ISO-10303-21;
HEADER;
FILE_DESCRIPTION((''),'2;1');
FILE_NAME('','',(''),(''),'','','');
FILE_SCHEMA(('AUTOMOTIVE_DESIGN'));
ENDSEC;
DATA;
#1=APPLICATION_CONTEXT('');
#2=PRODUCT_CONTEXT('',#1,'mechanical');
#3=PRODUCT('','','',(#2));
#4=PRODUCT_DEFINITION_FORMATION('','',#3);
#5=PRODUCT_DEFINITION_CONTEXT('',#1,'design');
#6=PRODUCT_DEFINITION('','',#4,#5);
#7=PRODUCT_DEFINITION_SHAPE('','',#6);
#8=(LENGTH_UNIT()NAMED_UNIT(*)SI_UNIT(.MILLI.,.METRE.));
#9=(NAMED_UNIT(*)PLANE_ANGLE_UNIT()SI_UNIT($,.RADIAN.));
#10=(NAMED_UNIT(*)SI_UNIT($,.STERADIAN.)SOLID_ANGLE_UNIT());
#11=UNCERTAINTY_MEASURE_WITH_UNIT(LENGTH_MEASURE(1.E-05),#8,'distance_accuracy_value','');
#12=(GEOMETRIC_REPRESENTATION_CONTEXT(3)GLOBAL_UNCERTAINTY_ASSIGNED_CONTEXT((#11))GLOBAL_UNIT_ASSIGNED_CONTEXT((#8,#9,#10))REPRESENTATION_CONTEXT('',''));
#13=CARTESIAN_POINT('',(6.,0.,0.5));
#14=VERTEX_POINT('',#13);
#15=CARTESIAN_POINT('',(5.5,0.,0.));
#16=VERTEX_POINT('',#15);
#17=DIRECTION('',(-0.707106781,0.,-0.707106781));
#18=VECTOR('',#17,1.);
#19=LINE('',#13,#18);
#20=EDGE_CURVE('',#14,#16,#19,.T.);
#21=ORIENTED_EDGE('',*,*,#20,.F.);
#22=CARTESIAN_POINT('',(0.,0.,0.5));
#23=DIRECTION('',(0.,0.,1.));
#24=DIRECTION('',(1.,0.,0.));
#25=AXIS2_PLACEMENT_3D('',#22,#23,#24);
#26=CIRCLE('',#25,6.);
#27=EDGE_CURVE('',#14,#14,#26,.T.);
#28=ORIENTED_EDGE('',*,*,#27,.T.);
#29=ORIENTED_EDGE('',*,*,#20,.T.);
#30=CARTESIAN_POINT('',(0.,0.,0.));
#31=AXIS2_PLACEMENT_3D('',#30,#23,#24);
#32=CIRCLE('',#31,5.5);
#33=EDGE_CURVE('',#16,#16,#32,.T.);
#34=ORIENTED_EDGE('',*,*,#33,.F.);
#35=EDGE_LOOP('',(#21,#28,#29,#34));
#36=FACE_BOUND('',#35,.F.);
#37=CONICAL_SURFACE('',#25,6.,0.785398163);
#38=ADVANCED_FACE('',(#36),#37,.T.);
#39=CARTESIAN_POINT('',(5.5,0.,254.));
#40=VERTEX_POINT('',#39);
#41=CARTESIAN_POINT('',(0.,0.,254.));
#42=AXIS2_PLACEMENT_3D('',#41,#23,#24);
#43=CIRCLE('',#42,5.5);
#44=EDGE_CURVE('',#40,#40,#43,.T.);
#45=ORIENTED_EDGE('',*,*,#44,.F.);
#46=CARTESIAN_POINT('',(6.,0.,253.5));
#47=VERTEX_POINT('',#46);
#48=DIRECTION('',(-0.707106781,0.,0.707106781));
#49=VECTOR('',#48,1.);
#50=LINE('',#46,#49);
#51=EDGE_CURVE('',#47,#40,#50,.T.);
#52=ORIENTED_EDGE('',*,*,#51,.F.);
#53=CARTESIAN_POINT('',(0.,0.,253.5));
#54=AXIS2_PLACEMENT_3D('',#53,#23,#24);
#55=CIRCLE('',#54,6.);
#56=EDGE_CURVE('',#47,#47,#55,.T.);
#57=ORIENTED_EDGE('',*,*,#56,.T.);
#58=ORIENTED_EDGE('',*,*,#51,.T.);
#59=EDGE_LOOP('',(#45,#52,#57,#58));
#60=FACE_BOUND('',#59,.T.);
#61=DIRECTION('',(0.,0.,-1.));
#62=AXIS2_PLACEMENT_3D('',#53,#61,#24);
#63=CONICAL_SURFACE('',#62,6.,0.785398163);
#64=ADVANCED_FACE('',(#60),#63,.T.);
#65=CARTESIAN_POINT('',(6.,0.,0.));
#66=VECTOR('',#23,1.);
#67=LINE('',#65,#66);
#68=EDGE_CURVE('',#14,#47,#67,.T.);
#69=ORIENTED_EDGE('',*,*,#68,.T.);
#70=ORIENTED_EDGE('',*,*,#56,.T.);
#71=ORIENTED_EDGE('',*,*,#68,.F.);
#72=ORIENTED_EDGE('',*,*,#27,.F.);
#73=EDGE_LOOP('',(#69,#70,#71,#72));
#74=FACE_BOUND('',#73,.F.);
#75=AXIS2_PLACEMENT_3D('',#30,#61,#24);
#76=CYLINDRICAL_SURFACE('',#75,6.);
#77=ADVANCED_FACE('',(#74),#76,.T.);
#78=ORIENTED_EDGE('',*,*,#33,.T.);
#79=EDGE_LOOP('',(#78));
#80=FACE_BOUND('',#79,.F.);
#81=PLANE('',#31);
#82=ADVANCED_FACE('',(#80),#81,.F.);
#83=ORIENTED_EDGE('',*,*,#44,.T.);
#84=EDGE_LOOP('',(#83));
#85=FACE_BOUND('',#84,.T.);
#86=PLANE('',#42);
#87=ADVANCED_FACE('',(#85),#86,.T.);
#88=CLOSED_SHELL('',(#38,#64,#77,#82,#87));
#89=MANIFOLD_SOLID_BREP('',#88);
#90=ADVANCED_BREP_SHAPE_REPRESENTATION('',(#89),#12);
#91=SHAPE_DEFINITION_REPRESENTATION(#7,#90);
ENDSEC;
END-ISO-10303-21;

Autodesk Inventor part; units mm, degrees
ref_plane "YZ Plane" through (0, 0, 0) normal (1, 0, 0) x (0, 1, 0)
ref_plane "XZ Plane" through (0, 0, 0) normal (0, 1, 0) x (-1, 0, 0)
ref_plane "XY Plane" through (0, 0, 0) normal (0, 0, 1) x (1, 0, 0)
sketch "Sketch1" plane through (0, 0, 0) normal (0, 0, 1) x (1, 0, 0)
  circle A0 centre (0, 0) radius 6
  dimension "d0" = 12
extrude "Extrusion1" add sketch "Sketch1" along normal blind 254
chamfer "Chamfer1" distance 0.5 angle 45 2 edges at (-6, 0, 254) (-6, 0, 0)
properties part number "linear-guide-y" material "Galvanized Steel"
